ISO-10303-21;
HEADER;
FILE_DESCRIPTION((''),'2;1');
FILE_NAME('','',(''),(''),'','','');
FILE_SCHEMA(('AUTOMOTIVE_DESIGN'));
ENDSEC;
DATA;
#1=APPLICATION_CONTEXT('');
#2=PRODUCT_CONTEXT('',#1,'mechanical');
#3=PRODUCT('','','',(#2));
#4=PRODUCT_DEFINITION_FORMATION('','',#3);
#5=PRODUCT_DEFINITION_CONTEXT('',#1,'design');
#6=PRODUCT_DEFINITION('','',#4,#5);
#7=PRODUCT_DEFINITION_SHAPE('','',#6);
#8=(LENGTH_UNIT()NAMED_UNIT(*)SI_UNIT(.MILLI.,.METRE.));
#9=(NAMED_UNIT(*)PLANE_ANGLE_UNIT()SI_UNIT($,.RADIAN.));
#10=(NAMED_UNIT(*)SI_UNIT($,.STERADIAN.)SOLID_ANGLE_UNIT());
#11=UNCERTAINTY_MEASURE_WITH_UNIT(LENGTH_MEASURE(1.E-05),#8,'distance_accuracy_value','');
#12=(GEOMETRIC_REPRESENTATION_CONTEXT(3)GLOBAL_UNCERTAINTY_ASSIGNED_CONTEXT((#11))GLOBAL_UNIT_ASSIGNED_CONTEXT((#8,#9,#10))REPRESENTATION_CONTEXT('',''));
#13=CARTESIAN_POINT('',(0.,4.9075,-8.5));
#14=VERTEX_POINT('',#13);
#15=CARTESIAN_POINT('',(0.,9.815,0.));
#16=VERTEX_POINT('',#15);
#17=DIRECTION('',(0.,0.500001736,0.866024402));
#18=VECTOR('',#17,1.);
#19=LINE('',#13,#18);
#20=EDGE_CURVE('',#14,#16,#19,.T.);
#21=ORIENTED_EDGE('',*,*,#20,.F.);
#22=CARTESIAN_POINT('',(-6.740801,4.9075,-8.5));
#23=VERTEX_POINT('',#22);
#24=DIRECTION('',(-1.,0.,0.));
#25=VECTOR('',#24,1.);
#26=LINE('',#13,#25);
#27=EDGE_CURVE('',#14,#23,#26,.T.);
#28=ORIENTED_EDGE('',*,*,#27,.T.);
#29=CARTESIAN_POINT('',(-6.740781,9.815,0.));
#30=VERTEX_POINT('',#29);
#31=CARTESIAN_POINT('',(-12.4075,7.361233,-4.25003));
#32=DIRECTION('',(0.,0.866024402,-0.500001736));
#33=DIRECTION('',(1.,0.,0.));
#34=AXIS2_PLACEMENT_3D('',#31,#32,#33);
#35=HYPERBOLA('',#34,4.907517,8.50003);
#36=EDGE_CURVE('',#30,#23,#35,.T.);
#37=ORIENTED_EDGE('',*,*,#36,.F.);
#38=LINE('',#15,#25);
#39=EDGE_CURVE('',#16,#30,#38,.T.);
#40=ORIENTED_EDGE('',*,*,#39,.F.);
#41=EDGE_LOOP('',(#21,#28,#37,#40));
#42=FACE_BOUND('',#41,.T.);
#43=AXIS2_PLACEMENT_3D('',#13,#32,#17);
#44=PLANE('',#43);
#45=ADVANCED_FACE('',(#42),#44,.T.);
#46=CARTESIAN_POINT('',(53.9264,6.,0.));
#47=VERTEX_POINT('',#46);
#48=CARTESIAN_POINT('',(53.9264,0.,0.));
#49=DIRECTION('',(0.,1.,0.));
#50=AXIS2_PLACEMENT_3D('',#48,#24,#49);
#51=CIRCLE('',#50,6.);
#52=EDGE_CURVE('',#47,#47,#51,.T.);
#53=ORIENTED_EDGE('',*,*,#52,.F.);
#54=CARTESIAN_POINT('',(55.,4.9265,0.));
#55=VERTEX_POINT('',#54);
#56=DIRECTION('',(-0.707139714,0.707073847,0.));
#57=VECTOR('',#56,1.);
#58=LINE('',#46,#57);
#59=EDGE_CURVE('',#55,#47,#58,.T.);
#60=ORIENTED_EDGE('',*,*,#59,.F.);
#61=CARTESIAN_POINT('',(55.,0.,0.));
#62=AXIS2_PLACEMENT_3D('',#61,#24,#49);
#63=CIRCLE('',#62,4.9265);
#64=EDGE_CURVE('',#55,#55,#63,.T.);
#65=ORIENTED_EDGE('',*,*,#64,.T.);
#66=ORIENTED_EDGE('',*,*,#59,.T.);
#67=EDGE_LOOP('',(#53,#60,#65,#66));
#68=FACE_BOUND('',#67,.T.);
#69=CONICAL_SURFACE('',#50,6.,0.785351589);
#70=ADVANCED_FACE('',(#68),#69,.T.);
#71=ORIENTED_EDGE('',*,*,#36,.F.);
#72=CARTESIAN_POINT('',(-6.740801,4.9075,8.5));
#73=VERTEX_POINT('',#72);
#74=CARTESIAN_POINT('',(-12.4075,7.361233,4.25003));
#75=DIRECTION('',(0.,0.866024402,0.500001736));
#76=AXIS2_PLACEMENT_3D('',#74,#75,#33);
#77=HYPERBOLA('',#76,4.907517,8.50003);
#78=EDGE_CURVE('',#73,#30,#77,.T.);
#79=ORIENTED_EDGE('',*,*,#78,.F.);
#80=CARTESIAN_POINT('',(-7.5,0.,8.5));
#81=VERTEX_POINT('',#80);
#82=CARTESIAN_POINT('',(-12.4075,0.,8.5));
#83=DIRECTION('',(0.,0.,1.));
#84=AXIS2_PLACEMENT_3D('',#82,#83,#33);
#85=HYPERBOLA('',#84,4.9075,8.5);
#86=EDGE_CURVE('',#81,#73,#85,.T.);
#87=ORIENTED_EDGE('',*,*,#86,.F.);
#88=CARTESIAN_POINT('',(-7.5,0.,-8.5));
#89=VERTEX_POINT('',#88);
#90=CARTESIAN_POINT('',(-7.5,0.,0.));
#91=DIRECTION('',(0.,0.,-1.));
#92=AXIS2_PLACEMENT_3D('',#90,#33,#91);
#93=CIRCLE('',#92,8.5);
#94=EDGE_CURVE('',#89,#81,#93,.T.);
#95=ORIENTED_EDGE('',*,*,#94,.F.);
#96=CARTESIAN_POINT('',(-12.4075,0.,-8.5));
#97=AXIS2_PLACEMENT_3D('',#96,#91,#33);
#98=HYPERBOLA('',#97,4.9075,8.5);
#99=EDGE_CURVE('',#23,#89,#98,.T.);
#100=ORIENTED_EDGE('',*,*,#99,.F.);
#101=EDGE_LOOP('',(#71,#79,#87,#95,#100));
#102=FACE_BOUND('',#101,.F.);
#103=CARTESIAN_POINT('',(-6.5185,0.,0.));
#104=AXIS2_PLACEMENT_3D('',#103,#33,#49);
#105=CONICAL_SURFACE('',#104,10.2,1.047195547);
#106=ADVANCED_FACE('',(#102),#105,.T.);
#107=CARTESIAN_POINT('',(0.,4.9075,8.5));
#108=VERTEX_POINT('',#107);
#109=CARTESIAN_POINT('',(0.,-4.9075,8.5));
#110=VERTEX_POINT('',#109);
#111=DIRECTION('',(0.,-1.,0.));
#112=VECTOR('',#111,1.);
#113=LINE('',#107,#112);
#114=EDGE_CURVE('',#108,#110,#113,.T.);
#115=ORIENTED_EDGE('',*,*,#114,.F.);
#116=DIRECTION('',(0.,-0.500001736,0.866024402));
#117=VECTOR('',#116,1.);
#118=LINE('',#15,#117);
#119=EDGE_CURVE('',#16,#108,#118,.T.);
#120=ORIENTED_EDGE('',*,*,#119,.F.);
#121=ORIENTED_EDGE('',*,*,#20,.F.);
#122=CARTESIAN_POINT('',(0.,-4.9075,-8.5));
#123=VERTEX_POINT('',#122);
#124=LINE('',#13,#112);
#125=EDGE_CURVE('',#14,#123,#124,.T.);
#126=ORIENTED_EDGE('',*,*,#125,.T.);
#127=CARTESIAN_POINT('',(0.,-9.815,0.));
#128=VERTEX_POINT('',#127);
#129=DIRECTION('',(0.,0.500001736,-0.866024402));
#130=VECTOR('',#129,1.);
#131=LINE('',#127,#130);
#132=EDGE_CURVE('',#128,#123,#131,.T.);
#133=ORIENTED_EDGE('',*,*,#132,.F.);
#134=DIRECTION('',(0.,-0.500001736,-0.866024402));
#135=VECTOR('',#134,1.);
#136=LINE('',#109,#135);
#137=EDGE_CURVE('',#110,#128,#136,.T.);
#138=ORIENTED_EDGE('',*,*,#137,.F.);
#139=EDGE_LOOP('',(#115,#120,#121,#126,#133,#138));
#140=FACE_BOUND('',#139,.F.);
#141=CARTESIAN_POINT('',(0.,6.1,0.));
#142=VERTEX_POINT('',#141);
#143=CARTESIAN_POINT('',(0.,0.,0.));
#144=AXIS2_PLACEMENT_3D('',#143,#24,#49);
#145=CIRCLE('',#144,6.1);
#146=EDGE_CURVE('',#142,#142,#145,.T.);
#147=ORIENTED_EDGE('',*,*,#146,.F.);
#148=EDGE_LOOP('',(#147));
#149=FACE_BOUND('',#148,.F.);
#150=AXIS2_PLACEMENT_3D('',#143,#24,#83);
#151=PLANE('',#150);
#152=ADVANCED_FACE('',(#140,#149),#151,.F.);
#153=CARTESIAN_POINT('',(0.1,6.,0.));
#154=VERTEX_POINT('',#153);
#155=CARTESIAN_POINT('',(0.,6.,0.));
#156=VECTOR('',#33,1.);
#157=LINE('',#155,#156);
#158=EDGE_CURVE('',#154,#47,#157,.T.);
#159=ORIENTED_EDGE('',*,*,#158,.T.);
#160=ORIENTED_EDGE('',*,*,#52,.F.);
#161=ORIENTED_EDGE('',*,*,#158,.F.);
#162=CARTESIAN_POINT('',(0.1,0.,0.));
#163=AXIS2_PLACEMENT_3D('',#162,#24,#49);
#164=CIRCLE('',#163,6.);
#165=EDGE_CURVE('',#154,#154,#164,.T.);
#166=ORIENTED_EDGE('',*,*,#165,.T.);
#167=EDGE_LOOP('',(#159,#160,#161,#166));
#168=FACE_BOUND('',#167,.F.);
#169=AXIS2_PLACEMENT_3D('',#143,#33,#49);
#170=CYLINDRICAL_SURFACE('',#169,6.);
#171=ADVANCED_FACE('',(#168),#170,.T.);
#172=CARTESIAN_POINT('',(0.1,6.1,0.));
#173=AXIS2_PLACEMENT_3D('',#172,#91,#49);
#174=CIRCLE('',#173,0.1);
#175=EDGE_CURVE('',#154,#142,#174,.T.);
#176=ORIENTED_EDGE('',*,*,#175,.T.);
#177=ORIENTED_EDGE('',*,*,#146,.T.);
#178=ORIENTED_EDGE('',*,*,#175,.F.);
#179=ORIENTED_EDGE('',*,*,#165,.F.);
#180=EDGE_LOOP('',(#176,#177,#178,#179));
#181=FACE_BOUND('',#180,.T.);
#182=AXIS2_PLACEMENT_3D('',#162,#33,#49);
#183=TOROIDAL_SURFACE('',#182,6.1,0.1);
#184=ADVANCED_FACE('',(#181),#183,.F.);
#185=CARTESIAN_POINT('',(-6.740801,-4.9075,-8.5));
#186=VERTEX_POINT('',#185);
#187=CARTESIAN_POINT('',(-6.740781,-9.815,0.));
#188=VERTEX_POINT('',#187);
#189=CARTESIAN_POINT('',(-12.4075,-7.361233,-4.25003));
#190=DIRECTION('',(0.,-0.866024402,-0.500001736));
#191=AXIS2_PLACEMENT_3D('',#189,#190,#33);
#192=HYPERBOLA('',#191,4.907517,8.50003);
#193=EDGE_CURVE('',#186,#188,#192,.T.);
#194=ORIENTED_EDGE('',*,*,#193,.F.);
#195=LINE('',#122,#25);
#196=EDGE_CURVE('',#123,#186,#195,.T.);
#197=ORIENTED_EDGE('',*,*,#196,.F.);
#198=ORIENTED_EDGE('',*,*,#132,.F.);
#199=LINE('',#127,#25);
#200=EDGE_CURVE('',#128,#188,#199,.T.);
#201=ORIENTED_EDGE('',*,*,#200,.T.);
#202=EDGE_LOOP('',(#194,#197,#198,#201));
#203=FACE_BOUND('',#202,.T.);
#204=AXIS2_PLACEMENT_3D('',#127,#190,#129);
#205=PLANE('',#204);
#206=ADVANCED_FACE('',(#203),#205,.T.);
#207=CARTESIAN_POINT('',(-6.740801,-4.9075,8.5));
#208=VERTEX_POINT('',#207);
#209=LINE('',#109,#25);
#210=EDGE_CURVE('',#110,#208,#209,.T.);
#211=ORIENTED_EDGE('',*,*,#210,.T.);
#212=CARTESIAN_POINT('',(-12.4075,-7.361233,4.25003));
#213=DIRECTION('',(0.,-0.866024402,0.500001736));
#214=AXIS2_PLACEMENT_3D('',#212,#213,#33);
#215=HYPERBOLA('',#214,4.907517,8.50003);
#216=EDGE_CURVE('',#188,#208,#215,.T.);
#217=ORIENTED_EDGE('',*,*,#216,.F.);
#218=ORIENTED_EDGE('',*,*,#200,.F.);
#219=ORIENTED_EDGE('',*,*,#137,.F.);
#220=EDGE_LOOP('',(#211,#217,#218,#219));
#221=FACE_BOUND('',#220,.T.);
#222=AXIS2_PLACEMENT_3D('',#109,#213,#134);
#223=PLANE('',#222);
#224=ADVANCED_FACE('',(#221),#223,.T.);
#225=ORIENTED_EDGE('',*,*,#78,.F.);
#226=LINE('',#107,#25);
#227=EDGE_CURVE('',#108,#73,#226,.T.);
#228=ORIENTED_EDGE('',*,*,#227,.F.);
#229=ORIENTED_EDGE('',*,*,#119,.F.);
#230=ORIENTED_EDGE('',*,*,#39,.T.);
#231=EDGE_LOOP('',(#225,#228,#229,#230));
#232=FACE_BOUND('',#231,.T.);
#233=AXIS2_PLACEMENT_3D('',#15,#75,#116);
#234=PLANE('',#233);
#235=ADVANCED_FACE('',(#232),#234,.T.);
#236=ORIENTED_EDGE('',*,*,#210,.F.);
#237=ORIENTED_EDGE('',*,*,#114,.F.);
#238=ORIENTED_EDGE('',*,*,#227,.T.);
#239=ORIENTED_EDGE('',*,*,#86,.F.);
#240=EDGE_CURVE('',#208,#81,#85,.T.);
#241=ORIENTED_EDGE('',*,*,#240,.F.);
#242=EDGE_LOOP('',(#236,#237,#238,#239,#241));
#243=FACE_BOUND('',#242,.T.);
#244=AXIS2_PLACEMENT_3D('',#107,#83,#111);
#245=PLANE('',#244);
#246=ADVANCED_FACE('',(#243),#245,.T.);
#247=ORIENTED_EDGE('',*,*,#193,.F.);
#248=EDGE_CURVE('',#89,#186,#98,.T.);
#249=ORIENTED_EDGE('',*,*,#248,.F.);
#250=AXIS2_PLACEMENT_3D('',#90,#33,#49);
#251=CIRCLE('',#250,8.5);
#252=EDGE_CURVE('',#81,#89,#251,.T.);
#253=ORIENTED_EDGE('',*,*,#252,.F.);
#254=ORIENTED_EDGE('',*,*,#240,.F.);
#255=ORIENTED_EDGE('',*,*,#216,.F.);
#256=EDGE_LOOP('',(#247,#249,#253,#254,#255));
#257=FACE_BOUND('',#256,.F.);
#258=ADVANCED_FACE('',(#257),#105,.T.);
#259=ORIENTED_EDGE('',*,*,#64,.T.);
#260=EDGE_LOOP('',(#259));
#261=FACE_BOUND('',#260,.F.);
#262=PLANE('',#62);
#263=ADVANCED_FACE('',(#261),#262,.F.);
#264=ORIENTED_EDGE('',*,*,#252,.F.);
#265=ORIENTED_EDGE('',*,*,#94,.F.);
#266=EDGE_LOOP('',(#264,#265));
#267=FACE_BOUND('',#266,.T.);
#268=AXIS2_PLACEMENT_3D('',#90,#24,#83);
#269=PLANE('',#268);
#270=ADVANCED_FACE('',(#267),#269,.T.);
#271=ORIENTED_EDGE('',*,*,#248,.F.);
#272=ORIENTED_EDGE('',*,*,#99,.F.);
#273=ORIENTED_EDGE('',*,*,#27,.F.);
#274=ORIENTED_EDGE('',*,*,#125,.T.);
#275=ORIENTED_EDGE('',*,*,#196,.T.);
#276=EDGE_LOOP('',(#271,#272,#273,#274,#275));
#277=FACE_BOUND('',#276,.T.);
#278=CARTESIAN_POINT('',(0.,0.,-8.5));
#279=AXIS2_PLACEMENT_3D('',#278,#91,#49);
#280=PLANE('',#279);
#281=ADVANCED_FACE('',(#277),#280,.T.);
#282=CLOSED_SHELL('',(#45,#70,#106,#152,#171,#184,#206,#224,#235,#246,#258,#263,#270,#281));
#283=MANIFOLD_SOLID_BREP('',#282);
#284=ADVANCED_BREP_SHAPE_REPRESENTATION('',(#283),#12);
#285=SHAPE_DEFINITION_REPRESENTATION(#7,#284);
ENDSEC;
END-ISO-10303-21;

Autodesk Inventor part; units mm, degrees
ref_plane "YZ Plane" through (0, 0, 0) normal (1, 0, 0) x (0, 1, 0)
ref_plane "XZ Plane" through (0, 0, 0) normal (0, 1, 0) x (-1, 0, 0)
sketch "Skizze1" plane through (0, 0, 0) normal (0, 0, 1) x (1, 0, 0)
  line L0 (0, 6) -> (55, 6)
  line L1 (55, 6) -> (55, 0)
  line L2 (55, 0) -> (0, 0)
  line L3 (-11, 0) -> (66, 0) projected
  line L4 (0, -1.2) -> (0, 7.2) projected
  line L5 (0, 6) -> (0, 0)
  dimension "d2" = 12
  dimension "d59" = 55
revolve "Körper" add sketch "Skizze1" angle 360 about axis through (55, 0, 0) along (-1, 0, 0)
sketch "Skizze2" plane through (0, 0, 0) normal (-1, 0, 0) x (0, 0, 1)
  line L0 (0, 9.815) -> (8.5, 4.9075)
  line L1 (8.5, 4.9075) -> (8.5, -4.9075)
  line L2 (8.5, -4.9075) -> (0, -9.815)
  line L3 (0, -9.815) -> (-8.5, -4.9075)
  line L4 (-8.5, -4.9075) -> (-8.5, 4.9075)
  line L5 (-8.5, 4.9075) -> (0, 9.815)
  line L6 (-11.9, 0) -> (11.9, 0) projected
  line L7 (0, 13.7409) -> (0, -13.7409) projected
  point P0 (0, 0)
  point P1 (0, 0)
  dimension "d11" = 17
extrude "Kopf" add sketch "Skizze2" along normal blind 7.5
sketch "Skizze4" plane through (0, 0, 0) normal (0, 0, 1) x (1, 0, 0)
  line L0 (-6.5185, 10.2) -> (-7.5, 8.5)
  line L1 (-1.1, 0) -> (-0.234, 0)
  line L2 (-8.9532, 0) -> (1.2192, 0) projected
  line L3 (-7.5, 10.2) -> (-6.5185, 10.2)
  line L4 (-7.5, 8.5) -> (-7.5, 10.2)
  line L5 (0, 12.24) -> (0, -2.04) projected
  dimension "d65" = 17
  dimension "d67" = 30
  dimension "d68" = 20.4
  dimension "d69" = 7.5
revolve "Fase1" cut sketch "Skizze4" angle 360 about axis through (-1.1, 0, 0) along (1, 0, 0)
thread "Gewinde" size "M12x1.75" class "6g" standard "ISO Metric profile" length 30
chamfer "Fase2" distance 1.0735 distance2 1.0736 1 edges at (55, -6, 0) measured on face at (55, 1.497, -1.3262)
fillet "Fillet2" radius 0.1 1 edges at (0, -6, 0)
ref_plane "Work Plane1" through (1.525, 0, 0) normal (0, 0, 1) x (1, 0, 0)
equation "\"d2\" = GD"
equation "\"d59\" = NLG"
equation "\"d11\" = SW"
equation "\"d3\" = KOH"
equation "\"d71\" = RR"
equation "\"d15\" = GEL"
equation "\"d6\" = -0.5 * SPD + 0.5 * GD"
equation "\"d65\" = SW"
equation "\"d67\" = ANG1"
equation "\"d68\" = 1.2 * SW"
equation "\"d69\" = KOH"
equation "\"NLG\" = 55"
equation "\"GD\" = NND"
equation "\"BDM\" = NND"
equation "\"KOH\" = 7.5"
equation "\"GEL\" = 30"
equation "\"SW\" = 17"
equation "\"SW0\" = SW"
equation "\"SPD\" = NND - 1.2269 * PTC"
equation "\"SD2\" = NND"
equation "\"SD\" = 0"
equation "\"ANG1\" = 30deg"
equation "\"GAL\" = 0.61345 * PTC"
equation "\"GUL\" = 0.61345 * PTC"
equation "\"RR\" = 0.1"
equation "\"RR1\" = 0.1"
equation "\"GD1\" = THREADDIA - 1.2269 * PTC"
equation "\"THREADDIA\" = 12"
equation "\"TOA\" = 30deg"
equation "\"PTC\" = 1.75"
equation "\"NND\" = 12"
equation "\"E0\" = 1.155 * SW"
properties part number "ISO 4016 - M12 x 55" material "Steel, Mild"
